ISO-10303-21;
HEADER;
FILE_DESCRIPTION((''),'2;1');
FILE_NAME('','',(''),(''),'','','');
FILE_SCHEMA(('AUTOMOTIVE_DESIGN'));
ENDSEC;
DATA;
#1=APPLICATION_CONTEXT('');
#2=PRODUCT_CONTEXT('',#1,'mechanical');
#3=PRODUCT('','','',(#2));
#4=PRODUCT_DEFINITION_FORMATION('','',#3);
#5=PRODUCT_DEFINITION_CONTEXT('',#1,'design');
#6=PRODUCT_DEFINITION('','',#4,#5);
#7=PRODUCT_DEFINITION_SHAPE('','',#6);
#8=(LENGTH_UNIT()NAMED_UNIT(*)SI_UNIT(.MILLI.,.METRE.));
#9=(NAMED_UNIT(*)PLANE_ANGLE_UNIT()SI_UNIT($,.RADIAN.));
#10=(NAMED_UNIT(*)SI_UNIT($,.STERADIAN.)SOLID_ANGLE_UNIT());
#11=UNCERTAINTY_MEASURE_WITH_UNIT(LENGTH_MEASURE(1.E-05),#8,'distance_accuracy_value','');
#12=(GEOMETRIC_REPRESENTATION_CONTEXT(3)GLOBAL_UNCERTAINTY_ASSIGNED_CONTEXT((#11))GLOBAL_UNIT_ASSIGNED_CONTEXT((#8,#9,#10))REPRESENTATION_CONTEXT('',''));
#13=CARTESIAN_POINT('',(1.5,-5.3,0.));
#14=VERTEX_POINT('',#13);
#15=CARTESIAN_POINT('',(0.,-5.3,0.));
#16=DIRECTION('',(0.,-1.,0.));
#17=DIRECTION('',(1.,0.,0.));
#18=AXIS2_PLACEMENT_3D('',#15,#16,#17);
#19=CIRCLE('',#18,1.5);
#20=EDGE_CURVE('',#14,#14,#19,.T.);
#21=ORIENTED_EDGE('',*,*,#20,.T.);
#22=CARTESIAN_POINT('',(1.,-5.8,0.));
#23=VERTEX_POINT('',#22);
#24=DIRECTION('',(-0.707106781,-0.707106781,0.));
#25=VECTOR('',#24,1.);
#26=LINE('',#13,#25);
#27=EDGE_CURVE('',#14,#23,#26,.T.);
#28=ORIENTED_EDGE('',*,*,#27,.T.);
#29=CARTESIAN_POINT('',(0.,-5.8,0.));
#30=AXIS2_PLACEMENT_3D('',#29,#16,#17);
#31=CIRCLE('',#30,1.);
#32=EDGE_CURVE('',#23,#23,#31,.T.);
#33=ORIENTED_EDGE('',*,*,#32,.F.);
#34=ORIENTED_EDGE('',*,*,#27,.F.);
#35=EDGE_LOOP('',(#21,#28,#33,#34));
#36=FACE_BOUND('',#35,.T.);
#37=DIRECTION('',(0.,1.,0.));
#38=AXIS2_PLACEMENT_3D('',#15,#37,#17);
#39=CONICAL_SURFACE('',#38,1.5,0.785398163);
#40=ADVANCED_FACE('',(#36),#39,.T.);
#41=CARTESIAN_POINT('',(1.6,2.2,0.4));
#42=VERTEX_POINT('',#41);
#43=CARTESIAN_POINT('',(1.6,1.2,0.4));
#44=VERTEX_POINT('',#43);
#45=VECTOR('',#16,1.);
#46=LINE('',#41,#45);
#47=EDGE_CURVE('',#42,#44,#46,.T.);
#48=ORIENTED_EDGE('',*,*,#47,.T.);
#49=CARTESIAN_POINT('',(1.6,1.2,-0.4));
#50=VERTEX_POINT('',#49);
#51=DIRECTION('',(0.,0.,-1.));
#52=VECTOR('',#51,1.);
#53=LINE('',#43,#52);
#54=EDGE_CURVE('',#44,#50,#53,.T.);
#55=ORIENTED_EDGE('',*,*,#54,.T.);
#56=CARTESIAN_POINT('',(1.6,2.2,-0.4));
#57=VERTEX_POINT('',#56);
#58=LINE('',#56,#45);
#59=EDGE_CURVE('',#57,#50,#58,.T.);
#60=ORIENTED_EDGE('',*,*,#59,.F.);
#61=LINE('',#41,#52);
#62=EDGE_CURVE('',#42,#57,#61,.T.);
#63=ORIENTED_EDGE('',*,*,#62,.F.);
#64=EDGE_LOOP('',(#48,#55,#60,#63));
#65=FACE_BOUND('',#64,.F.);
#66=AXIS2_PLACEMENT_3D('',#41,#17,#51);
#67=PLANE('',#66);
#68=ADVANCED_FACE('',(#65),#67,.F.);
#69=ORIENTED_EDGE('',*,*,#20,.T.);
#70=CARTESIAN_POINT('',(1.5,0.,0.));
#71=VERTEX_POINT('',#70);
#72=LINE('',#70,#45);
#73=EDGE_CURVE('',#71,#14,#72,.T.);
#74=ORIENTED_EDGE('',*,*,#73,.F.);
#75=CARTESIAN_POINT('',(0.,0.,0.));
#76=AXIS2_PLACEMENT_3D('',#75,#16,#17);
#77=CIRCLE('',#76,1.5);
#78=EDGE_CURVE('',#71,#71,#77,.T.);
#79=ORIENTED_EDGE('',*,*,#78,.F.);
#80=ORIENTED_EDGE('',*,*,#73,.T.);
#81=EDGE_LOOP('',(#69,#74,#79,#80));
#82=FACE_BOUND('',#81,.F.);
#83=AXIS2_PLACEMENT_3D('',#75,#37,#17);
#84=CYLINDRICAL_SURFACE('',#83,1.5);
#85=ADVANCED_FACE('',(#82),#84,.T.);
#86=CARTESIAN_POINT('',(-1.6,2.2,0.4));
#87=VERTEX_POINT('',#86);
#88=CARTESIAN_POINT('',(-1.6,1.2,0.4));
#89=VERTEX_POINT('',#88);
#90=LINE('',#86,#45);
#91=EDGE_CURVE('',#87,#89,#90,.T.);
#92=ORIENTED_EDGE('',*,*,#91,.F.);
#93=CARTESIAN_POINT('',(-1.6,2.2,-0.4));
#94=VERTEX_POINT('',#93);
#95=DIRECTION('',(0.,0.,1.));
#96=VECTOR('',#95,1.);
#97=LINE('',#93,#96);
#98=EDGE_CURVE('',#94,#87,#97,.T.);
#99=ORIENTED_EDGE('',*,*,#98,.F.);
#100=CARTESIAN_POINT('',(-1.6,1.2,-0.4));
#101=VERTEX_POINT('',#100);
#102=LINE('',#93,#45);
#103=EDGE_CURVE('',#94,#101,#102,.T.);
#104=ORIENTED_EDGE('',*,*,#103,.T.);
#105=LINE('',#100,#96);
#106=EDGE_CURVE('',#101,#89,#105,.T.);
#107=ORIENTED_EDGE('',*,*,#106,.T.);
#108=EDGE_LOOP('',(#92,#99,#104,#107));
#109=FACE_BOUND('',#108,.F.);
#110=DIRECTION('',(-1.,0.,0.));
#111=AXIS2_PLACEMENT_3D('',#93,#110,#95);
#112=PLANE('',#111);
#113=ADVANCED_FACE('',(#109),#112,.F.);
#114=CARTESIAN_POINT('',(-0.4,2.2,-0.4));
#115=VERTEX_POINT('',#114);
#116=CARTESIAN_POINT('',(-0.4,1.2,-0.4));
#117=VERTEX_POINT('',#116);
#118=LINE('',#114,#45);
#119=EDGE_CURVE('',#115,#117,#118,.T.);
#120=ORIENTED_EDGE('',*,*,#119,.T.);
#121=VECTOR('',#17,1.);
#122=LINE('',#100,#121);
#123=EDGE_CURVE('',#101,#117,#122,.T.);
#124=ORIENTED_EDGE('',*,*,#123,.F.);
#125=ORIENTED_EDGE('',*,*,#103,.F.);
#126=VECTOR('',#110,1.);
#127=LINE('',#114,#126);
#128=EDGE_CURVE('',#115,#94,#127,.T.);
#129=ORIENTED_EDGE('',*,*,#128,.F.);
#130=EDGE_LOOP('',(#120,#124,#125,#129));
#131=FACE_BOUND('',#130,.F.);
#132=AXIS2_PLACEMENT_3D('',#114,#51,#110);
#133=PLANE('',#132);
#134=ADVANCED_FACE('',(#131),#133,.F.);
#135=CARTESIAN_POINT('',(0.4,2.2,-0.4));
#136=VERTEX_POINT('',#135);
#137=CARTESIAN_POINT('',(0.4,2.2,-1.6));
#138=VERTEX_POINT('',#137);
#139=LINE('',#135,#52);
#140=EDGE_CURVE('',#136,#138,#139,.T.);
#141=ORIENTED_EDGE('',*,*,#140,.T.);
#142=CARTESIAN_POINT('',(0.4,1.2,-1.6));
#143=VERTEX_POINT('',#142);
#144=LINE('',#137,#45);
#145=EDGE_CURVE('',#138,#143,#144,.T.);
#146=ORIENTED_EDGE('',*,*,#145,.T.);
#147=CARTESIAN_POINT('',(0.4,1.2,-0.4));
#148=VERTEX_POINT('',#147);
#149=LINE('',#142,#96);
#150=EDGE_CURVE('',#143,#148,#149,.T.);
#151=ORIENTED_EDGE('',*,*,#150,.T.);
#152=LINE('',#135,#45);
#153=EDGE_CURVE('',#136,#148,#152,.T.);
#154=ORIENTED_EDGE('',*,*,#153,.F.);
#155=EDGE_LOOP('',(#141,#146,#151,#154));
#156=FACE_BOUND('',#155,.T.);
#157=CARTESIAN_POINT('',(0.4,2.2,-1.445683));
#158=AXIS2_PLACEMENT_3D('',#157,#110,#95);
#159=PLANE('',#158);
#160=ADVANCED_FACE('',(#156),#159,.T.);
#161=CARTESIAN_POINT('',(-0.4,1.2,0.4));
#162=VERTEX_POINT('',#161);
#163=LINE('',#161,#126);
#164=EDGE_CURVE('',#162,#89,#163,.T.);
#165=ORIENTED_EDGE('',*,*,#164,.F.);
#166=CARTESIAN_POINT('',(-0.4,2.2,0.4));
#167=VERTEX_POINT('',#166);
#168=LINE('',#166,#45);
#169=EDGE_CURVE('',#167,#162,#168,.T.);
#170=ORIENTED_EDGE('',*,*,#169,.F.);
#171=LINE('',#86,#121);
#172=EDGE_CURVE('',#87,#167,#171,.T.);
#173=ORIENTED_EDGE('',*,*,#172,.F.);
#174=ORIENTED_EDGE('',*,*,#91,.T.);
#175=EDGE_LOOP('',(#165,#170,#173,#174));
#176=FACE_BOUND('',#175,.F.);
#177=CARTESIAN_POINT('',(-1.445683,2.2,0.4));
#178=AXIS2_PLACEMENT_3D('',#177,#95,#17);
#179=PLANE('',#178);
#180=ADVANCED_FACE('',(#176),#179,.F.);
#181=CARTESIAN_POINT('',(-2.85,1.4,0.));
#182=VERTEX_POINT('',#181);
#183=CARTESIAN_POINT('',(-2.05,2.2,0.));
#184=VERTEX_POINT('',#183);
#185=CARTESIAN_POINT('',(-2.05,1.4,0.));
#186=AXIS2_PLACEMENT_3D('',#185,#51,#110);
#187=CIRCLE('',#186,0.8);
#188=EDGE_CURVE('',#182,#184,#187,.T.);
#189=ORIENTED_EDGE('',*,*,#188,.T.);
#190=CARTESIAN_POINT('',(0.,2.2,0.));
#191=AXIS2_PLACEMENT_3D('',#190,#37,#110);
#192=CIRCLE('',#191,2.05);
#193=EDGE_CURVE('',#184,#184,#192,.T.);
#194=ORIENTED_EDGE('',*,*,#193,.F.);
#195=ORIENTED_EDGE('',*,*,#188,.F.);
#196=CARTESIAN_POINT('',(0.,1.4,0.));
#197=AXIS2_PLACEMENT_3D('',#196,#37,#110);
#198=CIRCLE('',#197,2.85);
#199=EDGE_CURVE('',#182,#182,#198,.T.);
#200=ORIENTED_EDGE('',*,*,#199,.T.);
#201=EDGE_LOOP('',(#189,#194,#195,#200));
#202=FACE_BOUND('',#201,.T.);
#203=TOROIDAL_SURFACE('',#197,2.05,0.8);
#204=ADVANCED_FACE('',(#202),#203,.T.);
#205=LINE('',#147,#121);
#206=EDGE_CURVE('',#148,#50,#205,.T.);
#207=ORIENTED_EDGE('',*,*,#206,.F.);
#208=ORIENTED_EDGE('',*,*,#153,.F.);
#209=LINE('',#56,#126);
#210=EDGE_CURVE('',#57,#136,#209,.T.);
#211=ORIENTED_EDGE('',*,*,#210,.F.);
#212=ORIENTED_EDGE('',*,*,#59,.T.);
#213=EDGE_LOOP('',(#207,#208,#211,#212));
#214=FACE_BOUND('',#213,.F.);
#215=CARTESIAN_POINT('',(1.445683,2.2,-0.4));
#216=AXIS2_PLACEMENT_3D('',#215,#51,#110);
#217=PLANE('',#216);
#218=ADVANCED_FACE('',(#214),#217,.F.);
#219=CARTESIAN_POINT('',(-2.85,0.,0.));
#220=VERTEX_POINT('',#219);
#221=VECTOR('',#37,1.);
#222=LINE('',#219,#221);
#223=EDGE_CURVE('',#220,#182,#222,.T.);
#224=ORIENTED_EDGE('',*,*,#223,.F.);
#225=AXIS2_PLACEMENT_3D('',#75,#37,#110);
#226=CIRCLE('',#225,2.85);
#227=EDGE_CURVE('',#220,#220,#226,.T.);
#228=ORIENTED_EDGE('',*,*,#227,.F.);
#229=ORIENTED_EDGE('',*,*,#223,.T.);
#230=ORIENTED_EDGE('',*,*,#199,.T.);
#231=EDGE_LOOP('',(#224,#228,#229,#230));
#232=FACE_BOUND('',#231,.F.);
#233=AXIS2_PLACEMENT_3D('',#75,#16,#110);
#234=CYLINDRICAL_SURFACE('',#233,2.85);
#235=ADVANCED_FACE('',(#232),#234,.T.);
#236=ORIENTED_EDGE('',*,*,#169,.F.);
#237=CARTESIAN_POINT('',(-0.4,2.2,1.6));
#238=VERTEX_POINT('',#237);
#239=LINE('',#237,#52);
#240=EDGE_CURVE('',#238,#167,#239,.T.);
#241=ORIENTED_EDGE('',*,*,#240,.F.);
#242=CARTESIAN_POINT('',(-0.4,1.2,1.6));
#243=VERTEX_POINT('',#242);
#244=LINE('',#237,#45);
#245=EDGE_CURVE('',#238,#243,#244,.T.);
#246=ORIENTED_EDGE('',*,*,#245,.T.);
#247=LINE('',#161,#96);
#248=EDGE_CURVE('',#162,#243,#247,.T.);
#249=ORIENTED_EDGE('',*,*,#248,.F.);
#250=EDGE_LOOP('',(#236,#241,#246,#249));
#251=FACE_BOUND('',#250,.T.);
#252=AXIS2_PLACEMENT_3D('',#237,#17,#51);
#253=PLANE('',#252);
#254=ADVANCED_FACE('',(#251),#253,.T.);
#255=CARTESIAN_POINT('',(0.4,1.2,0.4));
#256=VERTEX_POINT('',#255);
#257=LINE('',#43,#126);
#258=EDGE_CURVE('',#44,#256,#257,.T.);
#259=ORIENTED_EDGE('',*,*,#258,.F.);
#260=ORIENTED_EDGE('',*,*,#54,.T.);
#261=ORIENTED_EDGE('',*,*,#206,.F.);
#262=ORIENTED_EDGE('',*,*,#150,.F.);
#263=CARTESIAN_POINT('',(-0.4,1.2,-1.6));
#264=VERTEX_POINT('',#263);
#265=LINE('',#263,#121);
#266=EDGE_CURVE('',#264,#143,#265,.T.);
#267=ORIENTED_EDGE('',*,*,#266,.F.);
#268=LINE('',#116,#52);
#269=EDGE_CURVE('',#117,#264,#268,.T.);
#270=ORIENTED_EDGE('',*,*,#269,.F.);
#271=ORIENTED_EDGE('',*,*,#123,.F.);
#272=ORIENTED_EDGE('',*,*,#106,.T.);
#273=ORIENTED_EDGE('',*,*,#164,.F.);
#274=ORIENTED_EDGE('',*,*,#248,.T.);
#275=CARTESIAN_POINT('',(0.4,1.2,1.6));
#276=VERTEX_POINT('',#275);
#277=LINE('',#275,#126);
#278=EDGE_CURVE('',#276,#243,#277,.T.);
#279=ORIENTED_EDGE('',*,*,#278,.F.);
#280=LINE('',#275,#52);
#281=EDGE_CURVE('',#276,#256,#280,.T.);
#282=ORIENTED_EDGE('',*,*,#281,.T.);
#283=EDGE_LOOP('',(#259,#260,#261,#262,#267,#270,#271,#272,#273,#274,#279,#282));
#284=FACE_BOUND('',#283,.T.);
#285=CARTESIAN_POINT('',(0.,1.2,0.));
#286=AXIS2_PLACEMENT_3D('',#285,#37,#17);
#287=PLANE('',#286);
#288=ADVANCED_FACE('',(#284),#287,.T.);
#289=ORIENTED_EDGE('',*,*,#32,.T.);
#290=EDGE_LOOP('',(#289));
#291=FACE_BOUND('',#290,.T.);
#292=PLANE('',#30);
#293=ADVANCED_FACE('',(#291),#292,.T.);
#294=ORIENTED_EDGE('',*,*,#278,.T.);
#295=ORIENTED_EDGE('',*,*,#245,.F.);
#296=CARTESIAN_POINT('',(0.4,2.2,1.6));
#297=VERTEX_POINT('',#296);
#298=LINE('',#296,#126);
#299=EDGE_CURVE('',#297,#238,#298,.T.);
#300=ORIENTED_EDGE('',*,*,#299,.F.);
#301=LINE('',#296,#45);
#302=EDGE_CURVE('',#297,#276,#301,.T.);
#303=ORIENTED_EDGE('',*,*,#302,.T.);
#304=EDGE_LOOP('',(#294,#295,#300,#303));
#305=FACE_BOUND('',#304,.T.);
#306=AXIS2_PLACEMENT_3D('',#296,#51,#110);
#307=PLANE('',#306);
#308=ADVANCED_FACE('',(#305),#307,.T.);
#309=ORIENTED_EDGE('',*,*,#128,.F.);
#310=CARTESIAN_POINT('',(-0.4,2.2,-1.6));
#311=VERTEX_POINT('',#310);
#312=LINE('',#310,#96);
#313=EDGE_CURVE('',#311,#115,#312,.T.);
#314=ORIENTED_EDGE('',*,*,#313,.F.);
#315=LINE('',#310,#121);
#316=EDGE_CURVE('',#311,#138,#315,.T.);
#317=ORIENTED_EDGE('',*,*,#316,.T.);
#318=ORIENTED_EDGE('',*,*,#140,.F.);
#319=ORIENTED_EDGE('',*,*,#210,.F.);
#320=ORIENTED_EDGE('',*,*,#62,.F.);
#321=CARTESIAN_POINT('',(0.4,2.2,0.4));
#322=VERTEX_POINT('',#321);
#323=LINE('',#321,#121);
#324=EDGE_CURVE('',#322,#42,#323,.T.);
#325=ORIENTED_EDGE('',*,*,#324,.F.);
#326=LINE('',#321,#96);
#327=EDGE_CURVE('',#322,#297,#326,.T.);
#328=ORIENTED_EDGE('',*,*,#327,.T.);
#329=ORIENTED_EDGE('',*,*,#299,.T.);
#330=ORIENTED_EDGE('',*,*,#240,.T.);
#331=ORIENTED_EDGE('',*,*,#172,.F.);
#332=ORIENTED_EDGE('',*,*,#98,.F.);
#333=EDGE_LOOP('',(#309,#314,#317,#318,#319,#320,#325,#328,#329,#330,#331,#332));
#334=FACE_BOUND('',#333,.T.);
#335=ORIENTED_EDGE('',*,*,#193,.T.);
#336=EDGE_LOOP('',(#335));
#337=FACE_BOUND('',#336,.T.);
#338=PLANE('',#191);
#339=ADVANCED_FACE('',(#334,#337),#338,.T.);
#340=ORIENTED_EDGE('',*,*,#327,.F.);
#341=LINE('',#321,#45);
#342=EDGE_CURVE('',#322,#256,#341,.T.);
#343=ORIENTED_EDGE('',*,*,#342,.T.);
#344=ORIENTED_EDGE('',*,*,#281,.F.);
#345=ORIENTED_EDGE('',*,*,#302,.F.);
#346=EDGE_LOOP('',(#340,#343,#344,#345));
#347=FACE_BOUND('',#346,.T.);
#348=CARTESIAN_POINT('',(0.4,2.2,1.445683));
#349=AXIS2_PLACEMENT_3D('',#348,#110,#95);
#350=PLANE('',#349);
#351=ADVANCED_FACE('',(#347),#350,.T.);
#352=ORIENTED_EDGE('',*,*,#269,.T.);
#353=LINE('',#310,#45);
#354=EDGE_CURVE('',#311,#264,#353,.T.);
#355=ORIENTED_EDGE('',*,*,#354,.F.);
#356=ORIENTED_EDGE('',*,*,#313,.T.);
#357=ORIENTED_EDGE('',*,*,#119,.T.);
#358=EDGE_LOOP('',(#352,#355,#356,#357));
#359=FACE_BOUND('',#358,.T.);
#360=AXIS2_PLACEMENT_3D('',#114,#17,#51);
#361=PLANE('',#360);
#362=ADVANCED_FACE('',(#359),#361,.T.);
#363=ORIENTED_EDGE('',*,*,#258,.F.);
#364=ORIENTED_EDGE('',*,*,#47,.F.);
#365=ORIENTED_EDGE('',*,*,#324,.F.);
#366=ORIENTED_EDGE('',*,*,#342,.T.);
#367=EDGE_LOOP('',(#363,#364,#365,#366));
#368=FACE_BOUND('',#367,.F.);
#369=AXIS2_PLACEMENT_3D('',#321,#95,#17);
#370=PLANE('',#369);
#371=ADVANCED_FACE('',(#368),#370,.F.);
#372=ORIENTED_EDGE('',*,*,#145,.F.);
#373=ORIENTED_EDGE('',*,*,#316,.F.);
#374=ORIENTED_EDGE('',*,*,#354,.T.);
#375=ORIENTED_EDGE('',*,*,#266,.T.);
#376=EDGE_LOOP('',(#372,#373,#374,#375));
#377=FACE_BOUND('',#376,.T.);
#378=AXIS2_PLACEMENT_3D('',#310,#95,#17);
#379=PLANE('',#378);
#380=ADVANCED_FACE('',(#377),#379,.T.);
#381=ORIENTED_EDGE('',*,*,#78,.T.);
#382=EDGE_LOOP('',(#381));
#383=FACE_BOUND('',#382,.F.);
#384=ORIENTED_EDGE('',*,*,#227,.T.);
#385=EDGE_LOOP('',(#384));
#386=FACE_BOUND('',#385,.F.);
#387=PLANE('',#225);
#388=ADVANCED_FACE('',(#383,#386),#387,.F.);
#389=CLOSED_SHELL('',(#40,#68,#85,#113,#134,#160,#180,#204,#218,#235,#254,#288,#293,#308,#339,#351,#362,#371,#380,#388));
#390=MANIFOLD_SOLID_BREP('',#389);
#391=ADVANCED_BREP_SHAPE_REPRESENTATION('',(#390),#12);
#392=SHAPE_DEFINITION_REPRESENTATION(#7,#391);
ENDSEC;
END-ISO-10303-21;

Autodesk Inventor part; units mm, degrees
ref_plane "YZ Plane" through (0, 0, 0) normal (1, 0, 0) x (0, 1, 0)
ref_plane "XZ Plane" through (0, 0, 0) normal (0, 1, 0) x (-1, 0, 0)
ref_plane "XY Plane" through (0, 0, 0) normal (0, 0, 1) x (1, 0, 0)
sketch "Sketch1" plane through (0, 0, 0) normal (0, 1, 0) x (-1, 0, 0)
  circle A0 centre (0, 0) radius 2.85
  dimension "d0" = 5.7
extrude "Extrusion1" add sketch "Sketch1" along normal blind 2.2
sketch "Sketch2" plane through (0, 0, 0) normal (0, -1, 0) x (1, 0, 0)
  circle A0 centre (0, 0) radius 1.5
  dimension "d3" = 3
extrude "Extrusion2" add sketch "Sketch2" along normal blind 5.8
fillet "Fillet1" radius 0.8 1 edges at (2.85, 2.2, 0)
sketch "Sketch3" plane through (0, 2.2, 0) normal (0, 1, 0) x (1, 0, 0)
  line L0 (0.4, -1.6) -> (-0.4, -1.6)
  line L1 (-0.4, -1.6) -> (-0.4, 1.6)
  line L2 (-0.4, 1.6) -> (0.4, 1.6)
  line L3 (0.4, 1.6) -> (0.4, -1.6)
  line L4 (0.4, -1.6) -> (-0.4, 1.6) construction
  line L5 (-0.4, -1.6) -> (0.4, 1.6) construction
  line L6 (1.6, 0.4) -> (-1.6, 0.4)
  line L7 (-1.6, 0.4) -> (-1.6, -0.4)
  line L8 (-1.6, -0.4) -> (1.6, -0.4)
  line L9 (1.6, -0.4) -> (1.6, 0.4)
  circle A0 centre (0, 0) radius 1.5 projected
  line L10 (1.6, 0.4) -> (-1.6, -0.4) construction
  line L11 (-1.6, 0.4) -> (1.6, -0.4) construction
  point P0 (0.4, 0.4)
  point P1 (-0.4, 0.4)
  point P2 (-0.4, -0.4)
  point P3 (0.4, -0.4)
  dimension "d7" = 0.8
  dimension "d8" = 0.8
  dimension "d9" = 3.2
  dimension "d10" = 3.2
extrude "Extrusion3" cut sketch "Sketch3" against normal blind 1 contours L0 L1 A0 L3 | A0 L1 L8 L3 | L8 L1 L6 L3 | L3 L6 A0 L8 | A0 L6 L9 L8 | L8 A0 L6 L1 | L8 L7 L6 A0 | L6 L1 A0 L3 | A0 L1 L2 L3
chamfer "Chamfer1" distance 0.5 angle 45 1 edges at (-1.5, -5.8, 0)
thread "Thread1" size "M3x0.5" class "6g" standard "ANSI Metric M Profile" full length
properties part number "support_screw"
